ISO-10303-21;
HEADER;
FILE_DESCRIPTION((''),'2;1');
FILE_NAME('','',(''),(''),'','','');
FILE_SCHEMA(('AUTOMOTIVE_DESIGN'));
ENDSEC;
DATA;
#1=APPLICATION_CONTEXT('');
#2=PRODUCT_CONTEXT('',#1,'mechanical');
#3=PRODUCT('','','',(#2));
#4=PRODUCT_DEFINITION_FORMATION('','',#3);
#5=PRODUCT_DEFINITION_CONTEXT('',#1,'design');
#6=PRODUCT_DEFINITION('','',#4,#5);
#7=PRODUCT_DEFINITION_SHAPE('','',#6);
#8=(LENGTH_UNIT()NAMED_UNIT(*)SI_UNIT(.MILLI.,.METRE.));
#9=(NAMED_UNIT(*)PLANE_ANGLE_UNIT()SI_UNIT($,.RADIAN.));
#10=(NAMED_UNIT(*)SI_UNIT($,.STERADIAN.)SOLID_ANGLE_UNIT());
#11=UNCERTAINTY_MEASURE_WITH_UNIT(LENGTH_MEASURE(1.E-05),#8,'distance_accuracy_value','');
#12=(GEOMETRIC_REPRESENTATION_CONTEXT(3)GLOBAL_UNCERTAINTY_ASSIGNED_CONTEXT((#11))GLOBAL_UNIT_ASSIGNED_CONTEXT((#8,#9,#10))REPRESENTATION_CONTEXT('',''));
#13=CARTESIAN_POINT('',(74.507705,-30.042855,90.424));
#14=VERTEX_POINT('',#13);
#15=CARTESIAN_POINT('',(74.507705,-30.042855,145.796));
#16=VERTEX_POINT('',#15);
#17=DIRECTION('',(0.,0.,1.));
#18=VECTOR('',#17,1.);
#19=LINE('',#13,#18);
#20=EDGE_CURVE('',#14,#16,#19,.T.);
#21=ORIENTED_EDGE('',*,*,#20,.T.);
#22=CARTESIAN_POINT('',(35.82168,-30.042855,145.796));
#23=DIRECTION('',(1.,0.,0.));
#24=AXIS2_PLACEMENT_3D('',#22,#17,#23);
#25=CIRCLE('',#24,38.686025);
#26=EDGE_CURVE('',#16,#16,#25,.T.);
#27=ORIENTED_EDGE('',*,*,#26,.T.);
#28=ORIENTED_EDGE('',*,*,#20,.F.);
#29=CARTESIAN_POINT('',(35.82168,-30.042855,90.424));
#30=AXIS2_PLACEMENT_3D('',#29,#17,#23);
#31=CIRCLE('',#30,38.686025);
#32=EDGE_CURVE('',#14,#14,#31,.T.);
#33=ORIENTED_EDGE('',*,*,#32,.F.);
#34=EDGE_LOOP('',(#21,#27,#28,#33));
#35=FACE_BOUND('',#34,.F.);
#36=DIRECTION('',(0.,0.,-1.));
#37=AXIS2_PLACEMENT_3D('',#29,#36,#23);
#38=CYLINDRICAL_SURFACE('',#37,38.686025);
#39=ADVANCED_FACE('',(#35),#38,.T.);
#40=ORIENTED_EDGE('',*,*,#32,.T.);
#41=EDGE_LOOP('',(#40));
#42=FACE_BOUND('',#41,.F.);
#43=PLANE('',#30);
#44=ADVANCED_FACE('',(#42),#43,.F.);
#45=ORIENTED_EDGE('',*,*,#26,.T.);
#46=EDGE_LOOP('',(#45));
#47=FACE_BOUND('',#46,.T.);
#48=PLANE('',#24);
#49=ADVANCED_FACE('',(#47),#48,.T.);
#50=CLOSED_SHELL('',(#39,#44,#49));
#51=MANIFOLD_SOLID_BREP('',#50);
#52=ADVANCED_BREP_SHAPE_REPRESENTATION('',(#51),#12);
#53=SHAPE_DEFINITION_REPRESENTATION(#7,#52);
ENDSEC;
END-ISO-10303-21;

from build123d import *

# Parameters (mm, degrees)
F1_R     = 38.686025
F2_DEPTH = 55.372


with BuildPart() as f2:
    # F1 (on offset) → F2 (new body)
    with BuildSketch(Plane.XY.offset(90.424)):
        with Locations((35.82168, -30.042855)):
            Circle(F1_R)
    extrude(amount=F2_DEPTH)


solid = f2.part
